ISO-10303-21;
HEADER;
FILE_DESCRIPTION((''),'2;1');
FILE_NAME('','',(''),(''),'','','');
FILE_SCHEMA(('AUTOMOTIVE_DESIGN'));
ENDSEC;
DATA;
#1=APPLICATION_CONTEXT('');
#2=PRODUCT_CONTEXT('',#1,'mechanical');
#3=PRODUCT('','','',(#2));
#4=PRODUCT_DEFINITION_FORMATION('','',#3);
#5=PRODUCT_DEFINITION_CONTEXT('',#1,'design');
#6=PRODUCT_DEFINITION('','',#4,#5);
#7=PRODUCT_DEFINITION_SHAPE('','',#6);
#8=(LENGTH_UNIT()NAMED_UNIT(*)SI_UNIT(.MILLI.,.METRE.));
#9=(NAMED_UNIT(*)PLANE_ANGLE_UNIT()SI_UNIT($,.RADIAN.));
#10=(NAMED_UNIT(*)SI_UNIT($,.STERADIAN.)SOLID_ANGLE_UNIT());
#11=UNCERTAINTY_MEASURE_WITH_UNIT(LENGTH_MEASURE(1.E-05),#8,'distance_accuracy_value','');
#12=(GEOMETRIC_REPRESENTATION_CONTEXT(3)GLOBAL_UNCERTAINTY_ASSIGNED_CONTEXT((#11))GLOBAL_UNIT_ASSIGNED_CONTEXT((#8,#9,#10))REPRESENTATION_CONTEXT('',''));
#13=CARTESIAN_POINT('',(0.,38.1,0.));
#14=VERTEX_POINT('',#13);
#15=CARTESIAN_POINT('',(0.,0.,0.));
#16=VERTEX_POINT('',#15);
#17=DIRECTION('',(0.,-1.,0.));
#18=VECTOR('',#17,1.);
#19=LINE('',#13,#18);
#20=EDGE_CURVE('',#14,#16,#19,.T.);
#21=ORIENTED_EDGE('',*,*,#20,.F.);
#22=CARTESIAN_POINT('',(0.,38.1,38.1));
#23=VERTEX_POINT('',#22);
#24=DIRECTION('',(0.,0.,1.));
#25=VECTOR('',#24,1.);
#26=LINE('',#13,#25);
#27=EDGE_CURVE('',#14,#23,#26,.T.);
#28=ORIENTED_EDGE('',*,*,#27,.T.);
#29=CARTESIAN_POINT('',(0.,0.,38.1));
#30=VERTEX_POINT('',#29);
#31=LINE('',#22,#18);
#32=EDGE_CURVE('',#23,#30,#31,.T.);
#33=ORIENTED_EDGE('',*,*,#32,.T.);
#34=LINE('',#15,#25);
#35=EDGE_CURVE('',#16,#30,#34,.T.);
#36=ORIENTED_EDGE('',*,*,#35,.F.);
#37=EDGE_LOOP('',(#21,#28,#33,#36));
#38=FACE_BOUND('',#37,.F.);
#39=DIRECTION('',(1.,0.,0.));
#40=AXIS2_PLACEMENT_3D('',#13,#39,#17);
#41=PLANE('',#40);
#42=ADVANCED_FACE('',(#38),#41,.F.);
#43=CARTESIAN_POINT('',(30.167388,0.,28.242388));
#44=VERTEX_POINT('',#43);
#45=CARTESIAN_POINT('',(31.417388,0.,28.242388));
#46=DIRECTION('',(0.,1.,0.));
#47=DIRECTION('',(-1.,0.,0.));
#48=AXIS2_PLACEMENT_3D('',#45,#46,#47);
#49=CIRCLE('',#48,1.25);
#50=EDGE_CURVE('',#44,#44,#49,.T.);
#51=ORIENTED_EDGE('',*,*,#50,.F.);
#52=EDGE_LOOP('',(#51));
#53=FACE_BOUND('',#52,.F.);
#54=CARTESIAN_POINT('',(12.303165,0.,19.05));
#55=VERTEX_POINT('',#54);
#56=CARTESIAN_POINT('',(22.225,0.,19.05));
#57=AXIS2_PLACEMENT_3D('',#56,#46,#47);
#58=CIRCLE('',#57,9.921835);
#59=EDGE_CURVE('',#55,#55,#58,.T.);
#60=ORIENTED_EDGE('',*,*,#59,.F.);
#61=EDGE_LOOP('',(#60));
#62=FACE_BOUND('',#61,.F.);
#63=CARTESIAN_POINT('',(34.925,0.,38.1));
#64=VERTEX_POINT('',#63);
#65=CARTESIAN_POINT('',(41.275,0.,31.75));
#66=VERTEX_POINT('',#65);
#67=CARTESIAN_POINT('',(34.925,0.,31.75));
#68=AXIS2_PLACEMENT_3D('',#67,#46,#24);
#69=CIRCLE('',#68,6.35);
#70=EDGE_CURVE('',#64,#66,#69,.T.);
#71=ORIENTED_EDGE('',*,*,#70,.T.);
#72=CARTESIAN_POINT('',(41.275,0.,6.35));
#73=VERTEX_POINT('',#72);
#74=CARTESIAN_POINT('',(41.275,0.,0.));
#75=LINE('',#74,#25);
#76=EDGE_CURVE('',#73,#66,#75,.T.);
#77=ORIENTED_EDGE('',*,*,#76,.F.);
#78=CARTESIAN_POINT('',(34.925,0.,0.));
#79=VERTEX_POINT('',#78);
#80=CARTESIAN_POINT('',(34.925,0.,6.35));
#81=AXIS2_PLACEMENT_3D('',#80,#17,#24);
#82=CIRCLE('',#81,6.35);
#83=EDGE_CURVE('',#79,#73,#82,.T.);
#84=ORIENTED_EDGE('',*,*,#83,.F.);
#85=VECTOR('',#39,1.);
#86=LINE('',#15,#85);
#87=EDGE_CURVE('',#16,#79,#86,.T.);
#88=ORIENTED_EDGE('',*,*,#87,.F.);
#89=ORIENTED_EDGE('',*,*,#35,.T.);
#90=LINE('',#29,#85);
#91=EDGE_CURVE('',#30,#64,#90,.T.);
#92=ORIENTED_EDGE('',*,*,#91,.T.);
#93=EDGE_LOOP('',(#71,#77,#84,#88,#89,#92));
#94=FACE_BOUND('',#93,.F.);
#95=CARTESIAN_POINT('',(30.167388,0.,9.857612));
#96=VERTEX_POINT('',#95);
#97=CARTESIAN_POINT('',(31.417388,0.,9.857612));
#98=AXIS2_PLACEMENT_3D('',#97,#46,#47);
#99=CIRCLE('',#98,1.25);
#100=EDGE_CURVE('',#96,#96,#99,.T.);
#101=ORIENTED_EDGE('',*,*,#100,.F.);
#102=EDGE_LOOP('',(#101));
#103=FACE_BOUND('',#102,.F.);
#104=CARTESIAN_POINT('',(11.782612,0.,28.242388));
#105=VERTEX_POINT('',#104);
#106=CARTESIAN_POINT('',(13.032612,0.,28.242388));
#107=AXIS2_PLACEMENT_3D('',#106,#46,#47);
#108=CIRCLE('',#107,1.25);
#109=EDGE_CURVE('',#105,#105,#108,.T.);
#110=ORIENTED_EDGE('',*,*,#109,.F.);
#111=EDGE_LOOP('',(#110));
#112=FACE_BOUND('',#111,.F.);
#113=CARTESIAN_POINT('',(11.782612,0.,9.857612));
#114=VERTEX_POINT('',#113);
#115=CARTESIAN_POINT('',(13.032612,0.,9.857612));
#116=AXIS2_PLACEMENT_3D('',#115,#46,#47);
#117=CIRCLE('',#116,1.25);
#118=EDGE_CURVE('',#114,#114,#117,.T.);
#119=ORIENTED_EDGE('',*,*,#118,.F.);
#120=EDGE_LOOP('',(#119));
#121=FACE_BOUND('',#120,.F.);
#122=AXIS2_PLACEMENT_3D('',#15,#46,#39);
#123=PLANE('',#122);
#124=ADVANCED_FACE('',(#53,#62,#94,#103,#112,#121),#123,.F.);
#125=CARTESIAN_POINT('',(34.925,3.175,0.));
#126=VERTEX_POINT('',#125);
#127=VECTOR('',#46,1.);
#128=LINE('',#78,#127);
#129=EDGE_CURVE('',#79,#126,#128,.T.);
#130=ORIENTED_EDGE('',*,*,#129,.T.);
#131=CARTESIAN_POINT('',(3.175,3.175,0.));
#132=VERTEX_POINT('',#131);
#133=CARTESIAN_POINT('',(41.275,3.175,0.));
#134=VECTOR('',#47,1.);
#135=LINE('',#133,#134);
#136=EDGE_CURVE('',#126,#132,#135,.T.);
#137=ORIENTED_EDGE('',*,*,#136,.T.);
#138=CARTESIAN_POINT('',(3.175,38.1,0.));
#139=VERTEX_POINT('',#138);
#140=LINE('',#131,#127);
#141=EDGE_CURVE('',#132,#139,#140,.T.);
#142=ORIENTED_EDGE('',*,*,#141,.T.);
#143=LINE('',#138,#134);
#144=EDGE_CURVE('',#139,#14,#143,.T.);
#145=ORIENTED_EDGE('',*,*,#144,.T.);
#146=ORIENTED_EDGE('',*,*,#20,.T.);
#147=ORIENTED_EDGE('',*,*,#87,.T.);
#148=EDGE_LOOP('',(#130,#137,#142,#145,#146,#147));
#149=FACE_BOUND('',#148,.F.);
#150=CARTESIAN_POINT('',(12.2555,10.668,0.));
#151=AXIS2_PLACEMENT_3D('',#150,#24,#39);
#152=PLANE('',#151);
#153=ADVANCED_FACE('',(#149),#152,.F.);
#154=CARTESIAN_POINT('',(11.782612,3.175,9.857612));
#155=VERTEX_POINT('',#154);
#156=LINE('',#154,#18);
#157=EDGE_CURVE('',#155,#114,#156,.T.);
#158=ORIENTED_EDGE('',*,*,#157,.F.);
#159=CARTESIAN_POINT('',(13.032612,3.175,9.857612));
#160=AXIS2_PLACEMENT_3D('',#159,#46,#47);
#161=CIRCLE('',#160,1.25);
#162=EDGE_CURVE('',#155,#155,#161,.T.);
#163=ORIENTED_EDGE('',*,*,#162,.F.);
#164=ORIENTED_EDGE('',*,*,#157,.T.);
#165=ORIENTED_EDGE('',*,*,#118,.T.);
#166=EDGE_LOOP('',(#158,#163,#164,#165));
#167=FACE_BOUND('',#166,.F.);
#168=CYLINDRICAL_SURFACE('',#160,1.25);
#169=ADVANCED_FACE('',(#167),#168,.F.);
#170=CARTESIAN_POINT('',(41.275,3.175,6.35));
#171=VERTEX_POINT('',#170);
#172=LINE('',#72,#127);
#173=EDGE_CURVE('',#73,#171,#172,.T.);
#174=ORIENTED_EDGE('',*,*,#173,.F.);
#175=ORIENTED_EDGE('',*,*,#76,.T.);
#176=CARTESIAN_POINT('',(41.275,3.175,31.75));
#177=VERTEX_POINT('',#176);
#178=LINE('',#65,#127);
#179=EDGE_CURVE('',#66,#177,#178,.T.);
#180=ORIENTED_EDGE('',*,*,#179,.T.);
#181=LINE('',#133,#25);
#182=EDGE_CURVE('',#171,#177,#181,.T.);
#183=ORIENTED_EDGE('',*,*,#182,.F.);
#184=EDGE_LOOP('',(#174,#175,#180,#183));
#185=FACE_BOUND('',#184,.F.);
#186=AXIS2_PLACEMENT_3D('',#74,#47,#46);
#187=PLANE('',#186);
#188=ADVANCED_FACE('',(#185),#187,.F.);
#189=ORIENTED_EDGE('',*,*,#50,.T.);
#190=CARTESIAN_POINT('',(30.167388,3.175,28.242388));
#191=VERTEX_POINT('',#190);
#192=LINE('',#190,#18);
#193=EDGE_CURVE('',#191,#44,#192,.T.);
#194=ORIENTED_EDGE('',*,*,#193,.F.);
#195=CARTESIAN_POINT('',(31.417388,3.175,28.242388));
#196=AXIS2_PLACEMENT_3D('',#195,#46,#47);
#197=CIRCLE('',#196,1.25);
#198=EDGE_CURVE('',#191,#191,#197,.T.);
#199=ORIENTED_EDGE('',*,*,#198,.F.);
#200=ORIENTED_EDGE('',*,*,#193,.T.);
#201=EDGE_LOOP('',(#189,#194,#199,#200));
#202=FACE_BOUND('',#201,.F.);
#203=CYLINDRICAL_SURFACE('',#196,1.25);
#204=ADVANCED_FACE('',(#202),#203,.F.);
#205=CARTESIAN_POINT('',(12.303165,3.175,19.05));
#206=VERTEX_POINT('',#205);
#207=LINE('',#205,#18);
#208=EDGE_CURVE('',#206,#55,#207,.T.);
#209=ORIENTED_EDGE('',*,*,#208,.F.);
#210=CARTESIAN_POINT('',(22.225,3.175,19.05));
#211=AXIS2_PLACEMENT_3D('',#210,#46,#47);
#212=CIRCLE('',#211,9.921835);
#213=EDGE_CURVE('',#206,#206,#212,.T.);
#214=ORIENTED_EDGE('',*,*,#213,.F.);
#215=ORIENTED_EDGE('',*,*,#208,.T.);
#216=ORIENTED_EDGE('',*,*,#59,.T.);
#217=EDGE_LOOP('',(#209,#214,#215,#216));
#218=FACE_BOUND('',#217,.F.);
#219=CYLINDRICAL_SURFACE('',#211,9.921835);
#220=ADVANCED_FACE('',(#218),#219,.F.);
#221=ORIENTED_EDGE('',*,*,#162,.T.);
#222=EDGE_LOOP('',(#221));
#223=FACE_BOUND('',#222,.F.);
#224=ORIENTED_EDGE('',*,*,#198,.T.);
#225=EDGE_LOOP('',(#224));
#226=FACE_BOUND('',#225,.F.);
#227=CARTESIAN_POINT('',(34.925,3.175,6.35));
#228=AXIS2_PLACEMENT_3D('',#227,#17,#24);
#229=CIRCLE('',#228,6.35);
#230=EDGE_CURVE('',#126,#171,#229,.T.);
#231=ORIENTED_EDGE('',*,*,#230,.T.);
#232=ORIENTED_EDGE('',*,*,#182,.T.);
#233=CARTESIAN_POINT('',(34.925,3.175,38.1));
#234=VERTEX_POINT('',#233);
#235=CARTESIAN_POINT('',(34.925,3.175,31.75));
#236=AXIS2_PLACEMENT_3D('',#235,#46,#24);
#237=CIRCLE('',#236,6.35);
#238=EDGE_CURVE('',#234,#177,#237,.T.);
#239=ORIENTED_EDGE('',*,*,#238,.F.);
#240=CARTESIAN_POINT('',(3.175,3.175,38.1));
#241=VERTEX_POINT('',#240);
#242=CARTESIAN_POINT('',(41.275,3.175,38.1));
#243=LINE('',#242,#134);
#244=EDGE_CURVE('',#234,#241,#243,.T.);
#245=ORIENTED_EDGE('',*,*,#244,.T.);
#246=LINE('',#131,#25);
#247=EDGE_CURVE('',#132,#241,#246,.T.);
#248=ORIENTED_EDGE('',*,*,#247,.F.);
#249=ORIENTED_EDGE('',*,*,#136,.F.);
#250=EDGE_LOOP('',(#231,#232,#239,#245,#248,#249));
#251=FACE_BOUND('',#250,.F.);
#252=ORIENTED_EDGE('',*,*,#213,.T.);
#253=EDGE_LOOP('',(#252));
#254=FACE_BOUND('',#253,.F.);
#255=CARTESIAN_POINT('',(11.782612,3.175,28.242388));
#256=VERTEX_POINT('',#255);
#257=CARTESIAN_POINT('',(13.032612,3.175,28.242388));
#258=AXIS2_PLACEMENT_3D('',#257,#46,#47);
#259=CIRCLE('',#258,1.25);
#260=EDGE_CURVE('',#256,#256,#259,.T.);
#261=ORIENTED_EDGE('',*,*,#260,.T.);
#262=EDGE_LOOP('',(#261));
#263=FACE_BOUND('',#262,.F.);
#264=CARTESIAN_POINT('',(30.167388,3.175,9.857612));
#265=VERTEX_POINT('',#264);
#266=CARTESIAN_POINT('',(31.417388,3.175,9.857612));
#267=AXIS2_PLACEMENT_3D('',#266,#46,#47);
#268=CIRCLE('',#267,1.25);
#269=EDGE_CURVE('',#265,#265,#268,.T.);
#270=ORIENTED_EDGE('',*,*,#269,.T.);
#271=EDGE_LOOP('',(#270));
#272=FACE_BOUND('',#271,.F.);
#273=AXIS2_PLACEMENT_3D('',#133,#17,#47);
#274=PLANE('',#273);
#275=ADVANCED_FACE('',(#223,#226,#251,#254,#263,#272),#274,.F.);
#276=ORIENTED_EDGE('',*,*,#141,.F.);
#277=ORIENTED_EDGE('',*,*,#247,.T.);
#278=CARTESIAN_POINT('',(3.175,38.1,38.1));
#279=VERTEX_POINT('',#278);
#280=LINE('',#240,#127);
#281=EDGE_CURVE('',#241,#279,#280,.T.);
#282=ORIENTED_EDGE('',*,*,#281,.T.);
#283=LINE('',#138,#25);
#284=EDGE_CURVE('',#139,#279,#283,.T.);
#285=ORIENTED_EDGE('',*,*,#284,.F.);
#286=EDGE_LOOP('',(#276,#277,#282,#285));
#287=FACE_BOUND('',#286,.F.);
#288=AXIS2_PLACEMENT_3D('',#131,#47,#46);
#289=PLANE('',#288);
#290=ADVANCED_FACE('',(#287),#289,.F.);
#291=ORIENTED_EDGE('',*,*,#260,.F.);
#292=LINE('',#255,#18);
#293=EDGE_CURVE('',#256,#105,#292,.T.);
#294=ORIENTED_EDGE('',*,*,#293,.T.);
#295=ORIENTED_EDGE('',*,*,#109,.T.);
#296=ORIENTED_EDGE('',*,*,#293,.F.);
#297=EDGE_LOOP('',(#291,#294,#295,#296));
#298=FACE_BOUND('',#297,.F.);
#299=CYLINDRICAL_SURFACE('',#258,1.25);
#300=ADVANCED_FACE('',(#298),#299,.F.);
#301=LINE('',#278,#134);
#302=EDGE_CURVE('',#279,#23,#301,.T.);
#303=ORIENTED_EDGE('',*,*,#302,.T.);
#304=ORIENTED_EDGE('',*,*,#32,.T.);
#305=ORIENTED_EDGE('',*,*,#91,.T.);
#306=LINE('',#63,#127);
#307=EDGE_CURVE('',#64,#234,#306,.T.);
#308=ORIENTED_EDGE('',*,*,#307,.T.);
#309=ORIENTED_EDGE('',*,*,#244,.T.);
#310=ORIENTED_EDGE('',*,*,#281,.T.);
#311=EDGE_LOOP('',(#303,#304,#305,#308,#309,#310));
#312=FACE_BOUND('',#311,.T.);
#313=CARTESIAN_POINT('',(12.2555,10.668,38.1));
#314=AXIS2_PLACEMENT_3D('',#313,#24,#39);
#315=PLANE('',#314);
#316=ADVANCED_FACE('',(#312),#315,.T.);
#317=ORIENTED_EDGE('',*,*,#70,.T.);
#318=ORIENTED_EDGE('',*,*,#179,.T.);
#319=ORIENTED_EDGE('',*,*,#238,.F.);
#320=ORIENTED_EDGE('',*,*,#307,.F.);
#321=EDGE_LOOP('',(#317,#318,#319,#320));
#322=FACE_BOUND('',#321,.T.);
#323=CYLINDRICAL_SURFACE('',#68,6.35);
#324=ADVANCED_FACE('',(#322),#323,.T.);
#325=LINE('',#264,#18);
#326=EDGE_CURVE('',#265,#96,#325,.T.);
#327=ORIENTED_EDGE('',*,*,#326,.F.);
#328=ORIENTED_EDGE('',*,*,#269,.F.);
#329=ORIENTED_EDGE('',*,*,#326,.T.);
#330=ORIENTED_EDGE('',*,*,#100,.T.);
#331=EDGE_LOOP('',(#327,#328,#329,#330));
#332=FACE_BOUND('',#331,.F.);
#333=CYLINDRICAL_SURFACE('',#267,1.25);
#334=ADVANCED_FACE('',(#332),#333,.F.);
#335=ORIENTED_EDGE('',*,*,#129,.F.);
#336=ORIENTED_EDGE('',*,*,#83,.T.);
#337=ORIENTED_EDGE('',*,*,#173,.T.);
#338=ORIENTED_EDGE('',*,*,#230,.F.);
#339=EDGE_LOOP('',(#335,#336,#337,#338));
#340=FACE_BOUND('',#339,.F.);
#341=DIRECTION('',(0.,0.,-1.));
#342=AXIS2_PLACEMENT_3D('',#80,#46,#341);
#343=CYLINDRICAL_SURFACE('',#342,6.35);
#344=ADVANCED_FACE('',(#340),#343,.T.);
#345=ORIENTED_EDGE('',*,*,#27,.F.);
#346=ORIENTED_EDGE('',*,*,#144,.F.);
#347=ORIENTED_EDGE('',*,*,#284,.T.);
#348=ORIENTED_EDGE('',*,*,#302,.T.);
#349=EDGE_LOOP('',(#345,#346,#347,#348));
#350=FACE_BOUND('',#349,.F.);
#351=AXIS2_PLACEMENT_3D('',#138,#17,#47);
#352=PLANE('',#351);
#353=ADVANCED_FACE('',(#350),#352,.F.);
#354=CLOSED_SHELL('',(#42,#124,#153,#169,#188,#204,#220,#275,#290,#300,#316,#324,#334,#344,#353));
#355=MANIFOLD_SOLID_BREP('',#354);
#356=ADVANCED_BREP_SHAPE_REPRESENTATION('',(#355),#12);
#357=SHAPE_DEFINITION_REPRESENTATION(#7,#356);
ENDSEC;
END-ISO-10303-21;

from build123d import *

# Parameters (mm, degrees)
F1_DEPTH = 38.1
F2_R     = 9.921835
F2_R_2   = 1.25
F3_DEPTH = 3.175
F4_R     = 6.35


with BuildPart() as f1:
    # F0 (on Top) → F1 (new body)
    with BuildSketch(Plane.XY):
        Polygon((0, 38.1), (0, 0), (41.275, 0), (41.275, 3.175), (3.175, 3.175), (3.175, 38.1), align=None)
    extrude(amount=F1_DEPTH)

    # F2 (on face) → F3 (cut, through all)
    with BuildSketch(Plane(origin=(0, 3.175, 0), x_dir=(-1, 0, 0), z_dir=(0, 1, 0))):
        with Locations((-22.225, 19.05)):
            Circle(F2_R)
        with Locations((-13.032612, 9.857612)):
            Circle(F2_R_2)
        with Locations((-31.417388, 28.242388)):
            Circle(F2_R_2)
        with Locations((-31.417388, 9.857612)):
            Circle(F2_R_2)
        with Locations((-13.032612, 28.242388)):
            Circle(F2_R_2)
    extrude(amount=-F3_DEPTH, mode=Mode.SUBTRACT)

    # F4
    f4_edges = [f1.edges().sort_by_distance(p)[0] for p in [
        (41.275, 1.5875, 38.1),
        (41.275, 1.5875, 0),
    ]]
    fillet(f4_edges, radius=F4_R)


solid = f1.part
